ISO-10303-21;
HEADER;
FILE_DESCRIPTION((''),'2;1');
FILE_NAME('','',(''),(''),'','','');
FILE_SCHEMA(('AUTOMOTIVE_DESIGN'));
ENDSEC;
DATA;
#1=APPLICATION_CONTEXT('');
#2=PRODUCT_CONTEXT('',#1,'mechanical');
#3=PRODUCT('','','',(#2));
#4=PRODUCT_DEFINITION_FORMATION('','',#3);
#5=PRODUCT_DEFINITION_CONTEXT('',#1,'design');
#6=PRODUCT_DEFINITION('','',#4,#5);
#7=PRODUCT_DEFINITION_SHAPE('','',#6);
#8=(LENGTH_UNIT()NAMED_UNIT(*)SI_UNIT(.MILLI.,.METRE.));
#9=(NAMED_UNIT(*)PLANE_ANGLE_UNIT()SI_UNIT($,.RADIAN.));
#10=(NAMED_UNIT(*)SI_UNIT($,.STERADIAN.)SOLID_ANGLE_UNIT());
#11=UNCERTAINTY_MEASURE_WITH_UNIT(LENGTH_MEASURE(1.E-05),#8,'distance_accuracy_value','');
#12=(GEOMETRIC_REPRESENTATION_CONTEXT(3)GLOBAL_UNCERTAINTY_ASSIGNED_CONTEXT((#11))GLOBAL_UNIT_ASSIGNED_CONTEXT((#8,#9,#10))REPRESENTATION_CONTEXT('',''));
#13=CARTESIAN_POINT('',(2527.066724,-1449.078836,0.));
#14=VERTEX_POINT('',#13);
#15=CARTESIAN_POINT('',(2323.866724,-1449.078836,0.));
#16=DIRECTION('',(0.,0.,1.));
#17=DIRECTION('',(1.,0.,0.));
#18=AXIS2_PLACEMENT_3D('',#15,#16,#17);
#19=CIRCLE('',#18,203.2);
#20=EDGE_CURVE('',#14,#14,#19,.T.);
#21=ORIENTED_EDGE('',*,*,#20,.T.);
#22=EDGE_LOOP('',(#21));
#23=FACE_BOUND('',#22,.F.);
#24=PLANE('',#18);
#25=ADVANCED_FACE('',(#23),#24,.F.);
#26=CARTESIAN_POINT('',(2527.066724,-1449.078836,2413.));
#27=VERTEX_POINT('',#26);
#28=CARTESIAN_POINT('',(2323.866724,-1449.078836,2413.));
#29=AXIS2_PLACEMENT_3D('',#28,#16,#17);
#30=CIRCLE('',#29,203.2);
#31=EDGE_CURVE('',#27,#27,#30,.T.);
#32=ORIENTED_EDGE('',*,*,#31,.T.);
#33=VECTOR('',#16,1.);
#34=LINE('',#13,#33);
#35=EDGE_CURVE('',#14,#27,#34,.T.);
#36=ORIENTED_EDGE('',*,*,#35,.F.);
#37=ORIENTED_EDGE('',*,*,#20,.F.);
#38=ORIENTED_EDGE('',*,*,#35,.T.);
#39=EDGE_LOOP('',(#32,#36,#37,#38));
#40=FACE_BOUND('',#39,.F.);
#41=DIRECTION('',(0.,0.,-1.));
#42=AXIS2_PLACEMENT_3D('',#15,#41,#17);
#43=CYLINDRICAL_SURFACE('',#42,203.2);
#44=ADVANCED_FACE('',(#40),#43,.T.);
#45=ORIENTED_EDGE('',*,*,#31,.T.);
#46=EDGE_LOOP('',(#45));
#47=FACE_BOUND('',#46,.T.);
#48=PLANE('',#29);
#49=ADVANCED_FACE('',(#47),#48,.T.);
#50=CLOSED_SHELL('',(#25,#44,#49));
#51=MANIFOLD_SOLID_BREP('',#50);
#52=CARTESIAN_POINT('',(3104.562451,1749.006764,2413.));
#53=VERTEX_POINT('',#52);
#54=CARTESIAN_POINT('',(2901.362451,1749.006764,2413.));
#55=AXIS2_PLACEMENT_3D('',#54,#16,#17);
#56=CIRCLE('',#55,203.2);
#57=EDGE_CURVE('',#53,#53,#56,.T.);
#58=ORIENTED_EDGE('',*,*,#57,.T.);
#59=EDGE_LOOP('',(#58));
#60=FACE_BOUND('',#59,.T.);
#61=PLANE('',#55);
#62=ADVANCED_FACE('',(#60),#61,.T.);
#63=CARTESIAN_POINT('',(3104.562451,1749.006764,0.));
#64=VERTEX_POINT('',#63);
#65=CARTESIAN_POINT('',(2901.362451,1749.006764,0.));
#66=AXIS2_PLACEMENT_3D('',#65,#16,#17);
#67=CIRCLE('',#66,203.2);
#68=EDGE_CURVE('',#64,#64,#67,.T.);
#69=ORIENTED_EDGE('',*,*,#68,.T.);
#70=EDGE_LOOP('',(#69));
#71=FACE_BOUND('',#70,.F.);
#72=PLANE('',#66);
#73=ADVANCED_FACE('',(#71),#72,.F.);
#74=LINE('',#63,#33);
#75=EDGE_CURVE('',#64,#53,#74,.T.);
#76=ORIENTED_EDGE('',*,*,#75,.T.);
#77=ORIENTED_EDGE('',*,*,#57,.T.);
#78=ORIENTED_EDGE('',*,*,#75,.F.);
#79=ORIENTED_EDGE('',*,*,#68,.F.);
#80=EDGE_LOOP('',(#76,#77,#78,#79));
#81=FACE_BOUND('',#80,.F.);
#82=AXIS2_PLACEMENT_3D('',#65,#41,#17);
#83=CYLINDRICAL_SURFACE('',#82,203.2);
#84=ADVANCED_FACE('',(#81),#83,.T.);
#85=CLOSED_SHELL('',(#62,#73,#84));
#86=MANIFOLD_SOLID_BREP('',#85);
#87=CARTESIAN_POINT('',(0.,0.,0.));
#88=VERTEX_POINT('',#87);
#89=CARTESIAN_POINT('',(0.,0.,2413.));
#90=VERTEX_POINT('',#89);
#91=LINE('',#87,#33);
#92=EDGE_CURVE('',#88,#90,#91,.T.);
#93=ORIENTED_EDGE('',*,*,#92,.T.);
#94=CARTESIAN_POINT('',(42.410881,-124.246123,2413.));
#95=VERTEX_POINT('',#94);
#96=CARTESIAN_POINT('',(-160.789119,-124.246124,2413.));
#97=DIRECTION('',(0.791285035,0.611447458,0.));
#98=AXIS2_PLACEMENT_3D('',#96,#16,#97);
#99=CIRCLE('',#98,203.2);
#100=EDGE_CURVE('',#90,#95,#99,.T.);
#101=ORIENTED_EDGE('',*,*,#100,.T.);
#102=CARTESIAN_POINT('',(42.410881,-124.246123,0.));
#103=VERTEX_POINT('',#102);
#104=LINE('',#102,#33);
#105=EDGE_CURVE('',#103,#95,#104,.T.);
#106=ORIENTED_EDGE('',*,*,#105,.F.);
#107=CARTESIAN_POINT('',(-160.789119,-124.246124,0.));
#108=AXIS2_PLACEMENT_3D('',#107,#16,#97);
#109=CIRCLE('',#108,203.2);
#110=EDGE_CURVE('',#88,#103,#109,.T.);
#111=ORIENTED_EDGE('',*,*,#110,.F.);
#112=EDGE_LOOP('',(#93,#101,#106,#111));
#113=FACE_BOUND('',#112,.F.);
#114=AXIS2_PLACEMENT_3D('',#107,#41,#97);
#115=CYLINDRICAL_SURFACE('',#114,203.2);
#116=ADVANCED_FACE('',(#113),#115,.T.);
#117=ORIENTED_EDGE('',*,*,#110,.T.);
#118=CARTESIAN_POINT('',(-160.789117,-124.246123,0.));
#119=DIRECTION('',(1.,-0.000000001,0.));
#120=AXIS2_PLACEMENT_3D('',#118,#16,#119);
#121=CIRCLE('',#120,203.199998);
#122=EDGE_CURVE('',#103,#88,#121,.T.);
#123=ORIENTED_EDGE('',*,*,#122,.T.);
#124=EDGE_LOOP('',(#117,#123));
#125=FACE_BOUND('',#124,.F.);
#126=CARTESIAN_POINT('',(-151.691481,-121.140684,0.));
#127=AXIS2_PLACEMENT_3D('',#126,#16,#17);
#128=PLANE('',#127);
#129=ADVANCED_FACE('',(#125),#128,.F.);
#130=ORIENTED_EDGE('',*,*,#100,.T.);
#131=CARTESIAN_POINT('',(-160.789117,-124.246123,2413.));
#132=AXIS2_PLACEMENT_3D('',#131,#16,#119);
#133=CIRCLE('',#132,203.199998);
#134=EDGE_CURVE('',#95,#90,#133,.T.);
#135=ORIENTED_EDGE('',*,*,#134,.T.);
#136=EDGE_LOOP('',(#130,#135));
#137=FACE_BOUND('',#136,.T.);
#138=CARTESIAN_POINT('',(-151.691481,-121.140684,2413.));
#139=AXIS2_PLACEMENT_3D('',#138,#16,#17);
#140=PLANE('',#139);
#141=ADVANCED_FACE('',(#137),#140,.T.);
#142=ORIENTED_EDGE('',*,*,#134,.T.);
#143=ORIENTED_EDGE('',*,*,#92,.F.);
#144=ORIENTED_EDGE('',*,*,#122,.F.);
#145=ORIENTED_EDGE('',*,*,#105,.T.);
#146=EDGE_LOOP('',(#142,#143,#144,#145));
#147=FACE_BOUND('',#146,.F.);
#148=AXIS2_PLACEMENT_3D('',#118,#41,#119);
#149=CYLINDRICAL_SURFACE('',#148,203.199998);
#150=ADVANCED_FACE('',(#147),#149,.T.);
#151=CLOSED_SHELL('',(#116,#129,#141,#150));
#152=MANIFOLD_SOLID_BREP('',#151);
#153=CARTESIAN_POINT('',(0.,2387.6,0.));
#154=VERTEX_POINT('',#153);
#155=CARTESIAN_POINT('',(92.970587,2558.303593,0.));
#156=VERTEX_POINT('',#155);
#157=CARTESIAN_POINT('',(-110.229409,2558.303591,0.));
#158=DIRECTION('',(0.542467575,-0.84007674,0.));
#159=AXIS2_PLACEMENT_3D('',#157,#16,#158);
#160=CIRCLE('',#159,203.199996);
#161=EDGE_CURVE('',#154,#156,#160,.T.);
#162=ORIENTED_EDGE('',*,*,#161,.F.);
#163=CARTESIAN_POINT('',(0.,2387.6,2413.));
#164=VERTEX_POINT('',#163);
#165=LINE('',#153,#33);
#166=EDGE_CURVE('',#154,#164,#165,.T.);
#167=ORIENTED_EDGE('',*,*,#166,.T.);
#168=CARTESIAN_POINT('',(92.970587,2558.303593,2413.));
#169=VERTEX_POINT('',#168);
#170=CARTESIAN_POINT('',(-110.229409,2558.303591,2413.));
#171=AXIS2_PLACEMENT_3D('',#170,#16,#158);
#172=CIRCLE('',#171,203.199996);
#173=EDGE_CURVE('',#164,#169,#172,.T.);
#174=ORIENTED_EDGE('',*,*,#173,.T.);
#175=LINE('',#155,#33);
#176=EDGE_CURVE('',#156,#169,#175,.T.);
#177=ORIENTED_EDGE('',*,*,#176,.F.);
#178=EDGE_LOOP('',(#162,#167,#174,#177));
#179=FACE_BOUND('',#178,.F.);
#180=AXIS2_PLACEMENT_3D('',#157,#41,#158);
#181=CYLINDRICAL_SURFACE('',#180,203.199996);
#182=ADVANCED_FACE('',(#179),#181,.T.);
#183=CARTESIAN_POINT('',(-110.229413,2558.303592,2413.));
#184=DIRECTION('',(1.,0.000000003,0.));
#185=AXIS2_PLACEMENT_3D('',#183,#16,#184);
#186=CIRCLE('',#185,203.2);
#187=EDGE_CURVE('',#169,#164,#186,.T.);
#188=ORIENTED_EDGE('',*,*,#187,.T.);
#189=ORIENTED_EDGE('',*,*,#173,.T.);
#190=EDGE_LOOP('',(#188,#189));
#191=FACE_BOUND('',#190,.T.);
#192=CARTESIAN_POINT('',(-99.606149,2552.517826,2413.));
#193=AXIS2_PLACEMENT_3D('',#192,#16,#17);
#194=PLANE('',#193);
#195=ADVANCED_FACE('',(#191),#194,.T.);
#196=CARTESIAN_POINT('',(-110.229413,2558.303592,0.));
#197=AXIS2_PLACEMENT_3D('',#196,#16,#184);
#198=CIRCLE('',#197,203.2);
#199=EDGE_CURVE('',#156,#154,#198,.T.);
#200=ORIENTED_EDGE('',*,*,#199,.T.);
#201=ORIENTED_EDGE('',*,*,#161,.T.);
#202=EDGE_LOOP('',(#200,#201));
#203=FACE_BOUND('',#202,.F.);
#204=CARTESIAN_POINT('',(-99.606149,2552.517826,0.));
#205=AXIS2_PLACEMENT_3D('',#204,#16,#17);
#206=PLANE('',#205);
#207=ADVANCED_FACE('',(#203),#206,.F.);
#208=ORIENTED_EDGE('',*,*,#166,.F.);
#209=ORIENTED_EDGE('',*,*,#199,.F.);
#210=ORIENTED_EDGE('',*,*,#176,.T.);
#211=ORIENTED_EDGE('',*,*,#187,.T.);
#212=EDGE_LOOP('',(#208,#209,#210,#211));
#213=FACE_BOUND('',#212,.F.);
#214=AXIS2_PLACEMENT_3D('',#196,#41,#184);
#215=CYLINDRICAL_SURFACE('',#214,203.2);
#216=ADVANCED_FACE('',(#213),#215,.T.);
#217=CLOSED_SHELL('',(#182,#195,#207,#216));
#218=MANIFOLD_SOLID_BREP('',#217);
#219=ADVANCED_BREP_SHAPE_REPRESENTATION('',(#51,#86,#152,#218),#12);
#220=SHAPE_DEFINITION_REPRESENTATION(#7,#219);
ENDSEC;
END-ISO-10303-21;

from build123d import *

# Parameters (mm, degrees)
F0_R     = 203.2
F1_DEPTH = 2413


with BuildPart() as f1:
    # F0 (on Top) → F1 (new body)
    with BuildSketch(Plane.XY):
        with BuildLine():
            ThreePointArc((0, 0), (-353.094331, -189.888682), (42.410881, -124.246123))
            ThreePointArc((42.410881, -124.246123), (31.516093, -58.603565), (0, 0))
        make_face()
        with BuildLine():
            ThreePointArc((92.970587, 2558.303593), (-288.679485, 2655.493158), (0, 2387.6))
            ThreePointArc((0, 2387.6), (68.22066, 2461.114027), (92.970587, 2558.303593))
        make_face()
        with Locations((2901.362451, 1749.006764)):
            Circle(F0_R)
        with Locations((2323.866724, -1449.078836)):
            Circle(F0_R)
    extrude(amount=F1_DEPTH)


solid = f1.part
